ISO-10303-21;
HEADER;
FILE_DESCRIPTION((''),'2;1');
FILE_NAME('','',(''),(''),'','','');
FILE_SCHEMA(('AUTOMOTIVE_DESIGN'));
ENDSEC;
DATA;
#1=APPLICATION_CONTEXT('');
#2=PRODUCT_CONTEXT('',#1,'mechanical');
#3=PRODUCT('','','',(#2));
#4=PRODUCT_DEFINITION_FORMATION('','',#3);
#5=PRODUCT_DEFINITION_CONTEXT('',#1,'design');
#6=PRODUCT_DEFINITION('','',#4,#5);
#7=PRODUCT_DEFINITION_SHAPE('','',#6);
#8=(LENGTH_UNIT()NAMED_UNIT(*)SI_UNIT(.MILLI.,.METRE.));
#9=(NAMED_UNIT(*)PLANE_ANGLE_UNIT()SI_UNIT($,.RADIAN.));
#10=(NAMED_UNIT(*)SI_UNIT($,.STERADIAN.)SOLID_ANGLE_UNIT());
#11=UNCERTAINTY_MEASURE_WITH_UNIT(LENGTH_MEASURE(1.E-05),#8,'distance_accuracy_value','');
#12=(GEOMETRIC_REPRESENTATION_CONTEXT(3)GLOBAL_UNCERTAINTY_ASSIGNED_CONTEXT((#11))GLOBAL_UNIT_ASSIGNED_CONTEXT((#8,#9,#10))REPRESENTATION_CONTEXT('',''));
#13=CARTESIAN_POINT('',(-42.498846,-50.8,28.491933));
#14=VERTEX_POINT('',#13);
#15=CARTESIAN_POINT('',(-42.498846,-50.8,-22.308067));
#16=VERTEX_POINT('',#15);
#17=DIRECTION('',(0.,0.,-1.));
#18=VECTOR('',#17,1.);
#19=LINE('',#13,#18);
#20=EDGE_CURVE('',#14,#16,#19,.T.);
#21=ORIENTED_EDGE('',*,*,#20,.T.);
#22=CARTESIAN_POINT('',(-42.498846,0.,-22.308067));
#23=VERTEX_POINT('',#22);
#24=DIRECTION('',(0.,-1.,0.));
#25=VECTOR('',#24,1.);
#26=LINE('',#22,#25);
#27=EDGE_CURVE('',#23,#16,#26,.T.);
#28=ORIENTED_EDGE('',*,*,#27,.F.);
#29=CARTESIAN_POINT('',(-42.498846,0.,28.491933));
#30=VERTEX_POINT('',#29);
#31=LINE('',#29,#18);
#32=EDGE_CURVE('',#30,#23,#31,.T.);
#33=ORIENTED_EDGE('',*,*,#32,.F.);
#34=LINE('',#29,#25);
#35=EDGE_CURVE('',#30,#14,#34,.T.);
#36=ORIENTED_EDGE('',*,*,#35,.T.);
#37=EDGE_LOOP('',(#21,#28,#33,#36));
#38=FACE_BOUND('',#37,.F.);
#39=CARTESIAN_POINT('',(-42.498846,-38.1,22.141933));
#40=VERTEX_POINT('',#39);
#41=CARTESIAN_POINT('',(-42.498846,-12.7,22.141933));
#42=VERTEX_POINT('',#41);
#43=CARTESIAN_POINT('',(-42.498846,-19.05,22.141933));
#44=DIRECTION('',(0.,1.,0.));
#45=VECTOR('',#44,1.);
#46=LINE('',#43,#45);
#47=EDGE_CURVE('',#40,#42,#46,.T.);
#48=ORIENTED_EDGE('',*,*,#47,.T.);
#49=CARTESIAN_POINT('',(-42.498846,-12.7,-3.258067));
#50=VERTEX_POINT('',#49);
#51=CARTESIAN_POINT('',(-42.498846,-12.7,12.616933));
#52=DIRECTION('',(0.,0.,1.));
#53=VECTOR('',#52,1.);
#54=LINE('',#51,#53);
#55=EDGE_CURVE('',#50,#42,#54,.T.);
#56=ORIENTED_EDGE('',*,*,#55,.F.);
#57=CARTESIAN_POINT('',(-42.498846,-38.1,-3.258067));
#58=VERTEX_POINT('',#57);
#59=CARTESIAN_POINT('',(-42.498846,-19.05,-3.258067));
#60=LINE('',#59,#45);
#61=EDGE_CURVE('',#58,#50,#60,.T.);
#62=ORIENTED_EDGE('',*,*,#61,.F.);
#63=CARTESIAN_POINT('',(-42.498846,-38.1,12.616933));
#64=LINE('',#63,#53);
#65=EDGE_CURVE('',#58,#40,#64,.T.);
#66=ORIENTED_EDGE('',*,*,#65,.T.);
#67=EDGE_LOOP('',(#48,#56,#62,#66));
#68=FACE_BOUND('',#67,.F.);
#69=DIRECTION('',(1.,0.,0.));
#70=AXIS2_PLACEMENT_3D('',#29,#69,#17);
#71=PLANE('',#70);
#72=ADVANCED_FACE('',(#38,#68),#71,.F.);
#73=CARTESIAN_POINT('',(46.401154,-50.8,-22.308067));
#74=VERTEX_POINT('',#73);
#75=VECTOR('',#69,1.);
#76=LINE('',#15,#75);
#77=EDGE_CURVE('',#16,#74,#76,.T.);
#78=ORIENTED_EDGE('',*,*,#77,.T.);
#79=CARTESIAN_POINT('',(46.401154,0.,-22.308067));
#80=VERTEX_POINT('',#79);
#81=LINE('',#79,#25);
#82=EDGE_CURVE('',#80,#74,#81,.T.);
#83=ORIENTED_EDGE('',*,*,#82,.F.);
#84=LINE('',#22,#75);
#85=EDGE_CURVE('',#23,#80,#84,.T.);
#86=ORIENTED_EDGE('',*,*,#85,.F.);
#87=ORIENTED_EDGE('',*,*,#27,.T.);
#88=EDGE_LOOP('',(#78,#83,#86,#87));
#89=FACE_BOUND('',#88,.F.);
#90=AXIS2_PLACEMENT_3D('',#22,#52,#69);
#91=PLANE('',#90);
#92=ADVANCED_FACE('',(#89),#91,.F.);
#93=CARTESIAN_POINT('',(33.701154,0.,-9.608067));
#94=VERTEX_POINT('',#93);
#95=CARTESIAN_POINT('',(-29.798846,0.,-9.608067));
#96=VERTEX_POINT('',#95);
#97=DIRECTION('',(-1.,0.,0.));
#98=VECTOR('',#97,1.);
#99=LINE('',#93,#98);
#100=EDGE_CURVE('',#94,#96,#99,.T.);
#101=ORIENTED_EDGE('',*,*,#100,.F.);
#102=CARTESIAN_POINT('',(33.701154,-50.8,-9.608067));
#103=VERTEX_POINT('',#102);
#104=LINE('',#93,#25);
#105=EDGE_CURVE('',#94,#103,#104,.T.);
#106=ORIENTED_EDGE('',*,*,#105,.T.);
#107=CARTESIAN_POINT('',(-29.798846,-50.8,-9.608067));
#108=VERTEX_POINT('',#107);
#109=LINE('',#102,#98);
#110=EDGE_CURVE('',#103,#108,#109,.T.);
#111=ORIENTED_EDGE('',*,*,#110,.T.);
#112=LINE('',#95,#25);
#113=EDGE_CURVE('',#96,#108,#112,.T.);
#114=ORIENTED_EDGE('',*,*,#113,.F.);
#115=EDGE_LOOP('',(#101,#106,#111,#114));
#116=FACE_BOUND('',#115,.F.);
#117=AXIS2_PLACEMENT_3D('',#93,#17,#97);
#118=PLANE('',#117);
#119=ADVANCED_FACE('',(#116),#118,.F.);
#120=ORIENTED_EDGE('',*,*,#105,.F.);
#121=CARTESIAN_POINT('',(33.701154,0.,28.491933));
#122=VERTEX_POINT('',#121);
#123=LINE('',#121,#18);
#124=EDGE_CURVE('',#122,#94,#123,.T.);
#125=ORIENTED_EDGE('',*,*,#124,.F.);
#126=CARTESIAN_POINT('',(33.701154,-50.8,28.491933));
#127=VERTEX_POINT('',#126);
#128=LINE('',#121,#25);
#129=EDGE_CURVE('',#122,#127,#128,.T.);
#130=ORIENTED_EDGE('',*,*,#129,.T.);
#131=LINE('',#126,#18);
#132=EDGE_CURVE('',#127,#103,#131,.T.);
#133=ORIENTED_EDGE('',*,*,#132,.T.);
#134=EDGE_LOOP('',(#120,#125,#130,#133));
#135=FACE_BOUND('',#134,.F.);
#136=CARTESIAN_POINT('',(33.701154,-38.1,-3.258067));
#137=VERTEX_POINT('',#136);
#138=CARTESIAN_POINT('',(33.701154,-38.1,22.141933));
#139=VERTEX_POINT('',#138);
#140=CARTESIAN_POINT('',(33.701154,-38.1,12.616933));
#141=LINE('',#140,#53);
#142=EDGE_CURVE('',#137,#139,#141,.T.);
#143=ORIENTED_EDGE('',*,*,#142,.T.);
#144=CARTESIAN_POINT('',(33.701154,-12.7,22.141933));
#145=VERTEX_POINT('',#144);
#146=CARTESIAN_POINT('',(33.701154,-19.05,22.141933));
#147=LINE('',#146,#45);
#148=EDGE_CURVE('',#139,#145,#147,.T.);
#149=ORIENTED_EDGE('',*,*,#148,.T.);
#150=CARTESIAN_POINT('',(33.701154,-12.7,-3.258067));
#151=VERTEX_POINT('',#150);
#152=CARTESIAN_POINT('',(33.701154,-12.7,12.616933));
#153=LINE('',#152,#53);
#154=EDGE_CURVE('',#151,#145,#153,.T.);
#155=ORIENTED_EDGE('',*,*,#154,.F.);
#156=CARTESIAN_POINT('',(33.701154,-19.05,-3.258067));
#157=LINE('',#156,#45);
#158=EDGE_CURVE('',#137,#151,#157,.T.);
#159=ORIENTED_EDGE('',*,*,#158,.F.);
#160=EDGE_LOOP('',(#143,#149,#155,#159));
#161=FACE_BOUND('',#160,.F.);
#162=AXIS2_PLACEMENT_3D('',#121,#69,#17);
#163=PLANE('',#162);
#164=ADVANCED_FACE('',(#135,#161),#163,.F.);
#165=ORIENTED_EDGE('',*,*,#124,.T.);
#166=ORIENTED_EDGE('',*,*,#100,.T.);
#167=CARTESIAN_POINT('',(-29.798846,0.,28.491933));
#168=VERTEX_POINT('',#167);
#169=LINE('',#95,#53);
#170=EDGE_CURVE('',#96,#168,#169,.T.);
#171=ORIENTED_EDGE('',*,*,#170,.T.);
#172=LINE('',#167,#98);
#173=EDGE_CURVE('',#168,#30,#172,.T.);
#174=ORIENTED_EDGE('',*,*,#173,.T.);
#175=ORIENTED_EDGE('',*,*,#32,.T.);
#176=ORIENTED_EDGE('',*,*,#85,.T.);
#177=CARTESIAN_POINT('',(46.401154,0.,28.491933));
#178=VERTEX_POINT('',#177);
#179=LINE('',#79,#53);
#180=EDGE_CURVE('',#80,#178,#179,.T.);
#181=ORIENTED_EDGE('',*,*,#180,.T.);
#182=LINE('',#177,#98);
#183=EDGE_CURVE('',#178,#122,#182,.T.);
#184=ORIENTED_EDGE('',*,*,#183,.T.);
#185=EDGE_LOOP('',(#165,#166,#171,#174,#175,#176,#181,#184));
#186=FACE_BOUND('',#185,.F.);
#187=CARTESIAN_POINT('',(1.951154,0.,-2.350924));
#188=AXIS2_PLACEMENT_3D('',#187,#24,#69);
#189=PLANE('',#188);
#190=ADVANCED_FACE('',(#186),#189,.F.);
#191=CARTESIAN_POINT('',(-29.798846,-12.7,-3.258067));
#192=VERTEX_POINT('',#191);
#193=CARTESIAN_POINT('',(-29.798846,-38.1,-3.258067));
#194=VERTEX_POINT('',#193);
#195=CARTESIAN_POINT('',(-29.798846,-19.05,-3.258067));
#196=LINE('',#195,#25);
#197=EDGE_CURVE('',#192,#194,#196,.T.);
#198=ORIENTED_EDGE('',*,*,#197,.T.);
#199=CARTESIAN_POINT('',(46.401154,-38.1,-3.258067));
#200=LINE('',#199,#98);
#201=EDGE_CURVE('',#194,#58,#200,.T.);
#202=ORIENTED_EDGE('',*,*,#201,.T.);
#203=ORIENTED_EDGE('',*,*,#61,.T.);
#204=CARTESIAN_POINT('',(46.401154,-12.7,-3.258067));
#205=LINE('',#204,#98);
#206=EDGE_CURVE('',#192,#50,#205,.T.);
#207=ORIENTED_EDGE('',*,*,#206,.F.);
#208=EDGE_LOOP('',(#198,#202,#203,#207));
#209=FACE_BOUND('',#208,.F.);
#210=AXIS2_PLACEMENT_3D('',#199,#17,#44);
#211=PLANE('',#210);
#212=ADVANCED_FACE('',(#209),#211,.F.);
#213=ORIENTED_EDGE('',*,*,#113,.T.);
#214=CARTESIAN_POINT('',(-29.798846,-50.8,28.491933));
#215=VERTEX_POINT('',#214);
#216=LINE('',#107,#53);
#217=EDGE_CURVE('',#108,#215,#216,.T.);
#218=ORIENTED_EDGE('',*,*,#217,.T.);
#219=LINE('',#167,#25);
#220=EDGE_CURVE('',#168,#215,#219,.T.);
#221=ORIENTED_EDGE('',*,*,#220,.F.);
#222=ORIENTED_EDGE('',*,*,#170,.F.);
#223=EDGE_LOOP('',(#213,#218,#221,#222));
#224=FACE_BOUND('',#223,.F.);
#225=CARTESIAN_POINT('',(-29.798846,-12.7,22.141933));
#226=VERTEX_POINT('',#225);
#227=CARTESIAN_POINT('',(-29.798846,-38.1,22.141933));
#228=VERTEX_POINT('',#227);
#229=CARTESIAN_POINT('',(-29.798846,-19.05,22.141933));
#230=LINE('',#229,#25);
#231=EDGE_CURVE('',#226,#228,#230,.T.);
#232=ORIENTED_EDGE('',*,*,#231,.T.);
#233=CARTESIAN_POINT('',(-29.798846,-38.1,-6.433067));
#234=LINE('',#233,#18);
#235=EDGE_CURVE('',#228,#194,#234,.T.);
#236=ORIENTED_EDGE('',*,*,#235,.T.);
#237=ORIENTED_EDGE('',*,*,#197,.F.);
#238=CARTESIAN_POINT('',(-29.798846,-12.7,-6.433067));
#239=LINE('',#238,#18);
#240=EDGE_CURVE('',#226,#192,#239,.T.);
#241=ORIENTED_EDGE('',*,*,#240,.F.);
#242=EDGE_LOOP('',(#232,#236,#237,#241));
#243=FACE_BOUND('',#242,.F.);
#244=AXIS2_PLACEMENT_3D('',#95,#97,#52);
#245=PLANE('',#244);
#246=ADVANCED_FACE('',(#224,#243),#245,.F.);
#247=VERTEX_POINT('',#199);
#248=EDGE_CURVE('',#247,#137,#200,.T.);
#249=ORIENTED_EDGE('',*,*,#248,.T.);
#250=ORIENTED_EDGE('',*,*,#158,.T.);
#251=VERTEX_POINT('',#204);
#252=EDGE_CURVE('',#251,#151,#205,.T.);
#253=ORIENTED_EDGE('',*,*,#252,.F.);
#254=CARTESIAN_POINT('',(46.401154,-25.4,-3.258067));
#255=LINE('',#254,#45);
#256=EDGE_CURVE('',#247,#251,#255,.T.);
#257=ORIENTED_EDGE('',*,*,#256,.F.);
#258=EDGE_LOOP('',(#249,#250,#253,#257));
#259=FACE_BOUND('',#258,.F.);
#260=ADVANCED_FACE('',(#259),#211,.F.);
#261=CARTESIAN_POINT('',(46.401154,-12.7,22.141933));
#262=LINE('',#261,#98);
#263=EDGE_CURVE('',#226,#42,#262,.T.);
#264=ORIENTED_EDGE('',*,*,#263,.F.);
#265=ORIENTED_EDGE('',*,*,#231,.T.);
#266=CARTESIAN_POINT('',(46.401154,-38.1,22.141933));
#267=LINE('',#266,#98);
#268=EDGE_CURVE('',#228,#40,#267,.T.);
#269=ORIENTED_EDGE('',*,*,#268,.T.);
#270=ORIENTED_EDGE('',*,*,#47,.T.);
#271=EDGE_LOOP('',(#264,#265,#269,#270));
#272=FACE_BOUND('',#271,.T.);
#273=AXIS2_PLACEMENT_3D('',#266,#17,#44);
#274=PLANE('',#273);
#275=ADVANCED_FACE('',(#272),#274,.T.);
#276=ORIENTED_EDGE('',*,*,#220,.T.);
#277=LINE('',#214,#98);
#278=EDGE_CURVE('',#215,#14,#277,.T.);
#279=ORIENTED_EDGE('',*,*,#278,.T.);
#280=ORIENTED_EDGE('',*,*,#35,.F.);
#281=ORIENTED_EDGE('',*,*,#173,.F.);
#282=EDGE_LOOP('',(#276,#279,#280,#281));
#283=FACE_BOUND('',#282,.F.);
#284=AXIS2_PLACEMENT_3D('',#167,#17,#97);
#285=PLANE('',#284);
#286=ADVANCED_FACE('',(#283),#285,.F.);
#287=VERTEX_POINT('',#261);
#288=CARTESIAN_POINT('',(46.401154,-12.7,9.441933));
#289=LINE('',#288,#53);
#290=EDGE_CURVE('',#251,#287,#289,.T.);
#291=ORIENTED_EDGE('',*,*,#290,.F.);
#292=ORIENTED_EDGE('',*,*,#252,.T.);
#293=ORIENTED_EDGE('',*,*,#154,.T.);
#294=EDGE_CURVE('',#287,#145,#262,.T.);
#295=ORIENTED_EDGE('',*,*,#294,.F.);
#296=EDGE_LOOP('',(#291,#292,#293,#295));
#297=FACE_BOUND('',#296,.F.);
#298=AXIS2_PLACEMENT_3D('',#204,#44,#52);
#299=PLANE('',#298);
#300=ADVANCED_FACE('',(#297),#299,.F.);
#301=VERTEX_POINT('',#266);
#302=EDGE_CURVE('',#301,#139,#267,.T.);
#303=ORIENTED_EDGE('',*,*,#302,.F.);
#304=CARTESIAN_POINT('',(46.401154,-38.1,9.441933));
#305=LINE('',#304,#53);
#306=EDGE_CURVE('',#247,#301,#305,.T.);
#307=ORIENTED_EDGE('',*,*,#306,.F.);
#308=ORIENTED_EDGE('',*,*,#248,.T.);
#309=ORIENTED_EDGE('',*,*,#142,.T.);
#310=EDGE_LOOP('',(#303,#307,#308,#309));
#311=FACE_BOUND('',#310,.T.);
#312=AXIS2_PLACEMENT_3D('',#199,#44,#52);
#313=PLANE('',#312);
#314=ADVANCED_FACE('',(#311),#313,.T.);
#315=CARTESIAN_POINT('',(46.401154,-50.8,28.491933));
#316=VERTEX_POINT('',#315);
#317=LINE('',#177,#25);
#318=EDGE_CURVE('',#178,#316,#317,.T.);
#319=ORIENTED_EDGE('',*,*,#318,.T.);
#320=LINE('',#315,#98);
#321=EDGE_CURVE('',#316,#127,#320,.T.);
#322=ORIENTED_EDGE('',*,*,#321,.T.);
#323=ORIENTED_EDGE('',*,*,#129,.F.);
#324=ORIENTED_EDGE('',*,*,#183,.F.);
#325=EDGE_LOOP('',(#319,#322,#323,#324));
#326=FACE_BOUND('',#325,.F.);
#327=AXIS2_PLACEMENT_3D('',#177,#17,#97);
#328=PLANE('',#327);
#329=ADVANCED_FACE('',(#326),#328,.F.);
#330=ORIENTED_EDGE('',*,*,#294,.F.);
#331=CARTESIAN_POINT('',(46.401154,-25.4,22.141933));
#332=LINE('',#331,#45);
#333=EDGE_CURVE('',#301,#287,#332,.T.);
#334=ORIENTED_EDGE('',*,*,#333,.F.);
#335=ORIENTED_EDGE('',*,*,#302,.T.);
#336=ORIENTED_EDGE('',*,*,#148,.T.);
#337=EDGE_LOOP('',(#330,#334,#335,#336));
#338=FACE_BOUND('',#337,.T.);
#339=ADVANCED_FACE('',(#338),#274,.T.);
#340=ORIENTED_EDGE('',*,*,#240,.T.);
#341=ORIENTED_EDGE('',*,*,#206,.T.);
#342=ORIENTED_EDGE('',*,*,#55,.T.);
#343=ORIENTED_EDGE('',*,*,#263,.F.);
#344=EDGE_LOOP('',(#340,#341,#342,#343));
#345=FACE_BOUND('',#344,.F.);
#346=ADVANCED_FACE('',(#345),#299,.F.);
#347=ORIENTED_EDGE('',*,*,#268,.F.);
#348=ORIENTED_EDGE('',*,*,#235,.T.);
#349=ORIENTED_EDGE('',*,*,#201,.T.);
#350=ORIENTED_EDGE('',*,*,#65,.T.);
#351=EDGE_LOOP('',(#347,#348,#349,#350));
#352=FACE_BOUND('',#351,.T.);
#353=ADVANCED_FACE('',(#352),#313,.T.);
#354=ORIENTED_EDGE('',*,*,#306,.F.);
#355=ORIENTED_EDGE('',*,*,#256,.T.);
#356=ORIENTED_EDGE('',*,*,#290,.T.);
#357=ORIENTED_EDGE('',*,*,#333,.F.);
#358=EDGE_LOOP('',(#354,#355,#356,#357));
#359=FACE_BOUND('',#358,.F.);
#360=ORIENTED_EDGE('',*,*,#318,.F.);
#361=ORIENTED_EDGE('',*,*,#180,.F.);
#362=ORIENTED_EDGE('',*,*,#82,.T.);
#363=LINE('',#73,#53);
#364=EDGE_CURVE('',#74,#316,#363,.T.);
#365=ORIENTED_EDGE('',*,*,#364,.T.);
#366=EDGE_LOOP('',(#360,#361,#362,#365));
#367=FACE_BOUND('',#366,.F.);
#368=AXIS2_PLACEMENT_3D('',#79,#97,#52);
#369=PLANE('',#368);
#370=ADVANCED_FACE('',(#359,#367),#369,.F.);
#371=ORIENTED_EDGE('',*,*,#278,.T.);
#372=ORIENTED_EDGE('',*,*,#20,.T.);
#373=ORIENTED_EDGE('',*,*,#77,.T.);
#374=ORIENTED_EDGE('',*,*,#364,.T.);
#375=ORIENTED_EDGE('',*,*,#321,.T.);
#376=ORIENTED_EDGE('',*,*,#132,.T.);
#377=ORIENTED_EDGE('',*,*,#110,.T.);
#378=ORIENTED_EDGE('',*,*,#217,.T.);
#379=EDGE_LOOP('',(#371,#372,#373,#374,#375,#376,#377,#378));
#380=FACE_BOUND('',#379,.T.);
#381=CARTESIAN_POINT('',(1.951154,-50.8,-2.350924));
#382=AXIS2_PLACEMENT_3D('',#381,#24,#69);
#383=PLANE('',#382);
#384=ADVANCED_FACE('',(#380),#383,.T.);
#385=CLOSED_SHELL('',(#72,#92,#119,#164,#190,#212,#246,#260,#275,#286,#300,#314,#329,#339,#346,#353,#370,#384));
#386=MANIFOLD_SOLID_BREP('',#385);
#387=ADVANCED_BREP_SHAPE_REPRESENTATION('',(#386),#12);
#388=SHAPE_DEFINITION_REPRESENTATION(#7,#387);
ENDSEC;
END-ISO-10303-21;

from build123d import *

# Parameters (mm, degrees)
F1_DEPTH = 50.8
F2_W     = 25.4
F2_H     = 25.4
F3_DEPTH = 88.901


with BuildPart() as f1:
    # F0 (on Front) → F1 (new body)
    with BuildSketch(Plane.XZ):
        Polygon((-29.798846, 28.491933), (-42.498846, 28.491933), (-42.498846, -22.308067), (46.401154, -22.308067), (46.401154, 28.491933), (33.701154, 28.491933), (33.701154, -9.608067), (-29.798846, -9.608067), align=None)
    extrude(amount=F1_DEPTH)

    # F2 (on face) → F3 (cut, through all)
    with BuildSketch(Plane.YZ.offset(46.401154)):
        with Locations((-25.4, 9.441933)):
            Rectangle(F2_W, F2_H)
    extrude(amount=-F3_DEPTH, mode=Mode.SUBTRACT)


solid = f1.part
